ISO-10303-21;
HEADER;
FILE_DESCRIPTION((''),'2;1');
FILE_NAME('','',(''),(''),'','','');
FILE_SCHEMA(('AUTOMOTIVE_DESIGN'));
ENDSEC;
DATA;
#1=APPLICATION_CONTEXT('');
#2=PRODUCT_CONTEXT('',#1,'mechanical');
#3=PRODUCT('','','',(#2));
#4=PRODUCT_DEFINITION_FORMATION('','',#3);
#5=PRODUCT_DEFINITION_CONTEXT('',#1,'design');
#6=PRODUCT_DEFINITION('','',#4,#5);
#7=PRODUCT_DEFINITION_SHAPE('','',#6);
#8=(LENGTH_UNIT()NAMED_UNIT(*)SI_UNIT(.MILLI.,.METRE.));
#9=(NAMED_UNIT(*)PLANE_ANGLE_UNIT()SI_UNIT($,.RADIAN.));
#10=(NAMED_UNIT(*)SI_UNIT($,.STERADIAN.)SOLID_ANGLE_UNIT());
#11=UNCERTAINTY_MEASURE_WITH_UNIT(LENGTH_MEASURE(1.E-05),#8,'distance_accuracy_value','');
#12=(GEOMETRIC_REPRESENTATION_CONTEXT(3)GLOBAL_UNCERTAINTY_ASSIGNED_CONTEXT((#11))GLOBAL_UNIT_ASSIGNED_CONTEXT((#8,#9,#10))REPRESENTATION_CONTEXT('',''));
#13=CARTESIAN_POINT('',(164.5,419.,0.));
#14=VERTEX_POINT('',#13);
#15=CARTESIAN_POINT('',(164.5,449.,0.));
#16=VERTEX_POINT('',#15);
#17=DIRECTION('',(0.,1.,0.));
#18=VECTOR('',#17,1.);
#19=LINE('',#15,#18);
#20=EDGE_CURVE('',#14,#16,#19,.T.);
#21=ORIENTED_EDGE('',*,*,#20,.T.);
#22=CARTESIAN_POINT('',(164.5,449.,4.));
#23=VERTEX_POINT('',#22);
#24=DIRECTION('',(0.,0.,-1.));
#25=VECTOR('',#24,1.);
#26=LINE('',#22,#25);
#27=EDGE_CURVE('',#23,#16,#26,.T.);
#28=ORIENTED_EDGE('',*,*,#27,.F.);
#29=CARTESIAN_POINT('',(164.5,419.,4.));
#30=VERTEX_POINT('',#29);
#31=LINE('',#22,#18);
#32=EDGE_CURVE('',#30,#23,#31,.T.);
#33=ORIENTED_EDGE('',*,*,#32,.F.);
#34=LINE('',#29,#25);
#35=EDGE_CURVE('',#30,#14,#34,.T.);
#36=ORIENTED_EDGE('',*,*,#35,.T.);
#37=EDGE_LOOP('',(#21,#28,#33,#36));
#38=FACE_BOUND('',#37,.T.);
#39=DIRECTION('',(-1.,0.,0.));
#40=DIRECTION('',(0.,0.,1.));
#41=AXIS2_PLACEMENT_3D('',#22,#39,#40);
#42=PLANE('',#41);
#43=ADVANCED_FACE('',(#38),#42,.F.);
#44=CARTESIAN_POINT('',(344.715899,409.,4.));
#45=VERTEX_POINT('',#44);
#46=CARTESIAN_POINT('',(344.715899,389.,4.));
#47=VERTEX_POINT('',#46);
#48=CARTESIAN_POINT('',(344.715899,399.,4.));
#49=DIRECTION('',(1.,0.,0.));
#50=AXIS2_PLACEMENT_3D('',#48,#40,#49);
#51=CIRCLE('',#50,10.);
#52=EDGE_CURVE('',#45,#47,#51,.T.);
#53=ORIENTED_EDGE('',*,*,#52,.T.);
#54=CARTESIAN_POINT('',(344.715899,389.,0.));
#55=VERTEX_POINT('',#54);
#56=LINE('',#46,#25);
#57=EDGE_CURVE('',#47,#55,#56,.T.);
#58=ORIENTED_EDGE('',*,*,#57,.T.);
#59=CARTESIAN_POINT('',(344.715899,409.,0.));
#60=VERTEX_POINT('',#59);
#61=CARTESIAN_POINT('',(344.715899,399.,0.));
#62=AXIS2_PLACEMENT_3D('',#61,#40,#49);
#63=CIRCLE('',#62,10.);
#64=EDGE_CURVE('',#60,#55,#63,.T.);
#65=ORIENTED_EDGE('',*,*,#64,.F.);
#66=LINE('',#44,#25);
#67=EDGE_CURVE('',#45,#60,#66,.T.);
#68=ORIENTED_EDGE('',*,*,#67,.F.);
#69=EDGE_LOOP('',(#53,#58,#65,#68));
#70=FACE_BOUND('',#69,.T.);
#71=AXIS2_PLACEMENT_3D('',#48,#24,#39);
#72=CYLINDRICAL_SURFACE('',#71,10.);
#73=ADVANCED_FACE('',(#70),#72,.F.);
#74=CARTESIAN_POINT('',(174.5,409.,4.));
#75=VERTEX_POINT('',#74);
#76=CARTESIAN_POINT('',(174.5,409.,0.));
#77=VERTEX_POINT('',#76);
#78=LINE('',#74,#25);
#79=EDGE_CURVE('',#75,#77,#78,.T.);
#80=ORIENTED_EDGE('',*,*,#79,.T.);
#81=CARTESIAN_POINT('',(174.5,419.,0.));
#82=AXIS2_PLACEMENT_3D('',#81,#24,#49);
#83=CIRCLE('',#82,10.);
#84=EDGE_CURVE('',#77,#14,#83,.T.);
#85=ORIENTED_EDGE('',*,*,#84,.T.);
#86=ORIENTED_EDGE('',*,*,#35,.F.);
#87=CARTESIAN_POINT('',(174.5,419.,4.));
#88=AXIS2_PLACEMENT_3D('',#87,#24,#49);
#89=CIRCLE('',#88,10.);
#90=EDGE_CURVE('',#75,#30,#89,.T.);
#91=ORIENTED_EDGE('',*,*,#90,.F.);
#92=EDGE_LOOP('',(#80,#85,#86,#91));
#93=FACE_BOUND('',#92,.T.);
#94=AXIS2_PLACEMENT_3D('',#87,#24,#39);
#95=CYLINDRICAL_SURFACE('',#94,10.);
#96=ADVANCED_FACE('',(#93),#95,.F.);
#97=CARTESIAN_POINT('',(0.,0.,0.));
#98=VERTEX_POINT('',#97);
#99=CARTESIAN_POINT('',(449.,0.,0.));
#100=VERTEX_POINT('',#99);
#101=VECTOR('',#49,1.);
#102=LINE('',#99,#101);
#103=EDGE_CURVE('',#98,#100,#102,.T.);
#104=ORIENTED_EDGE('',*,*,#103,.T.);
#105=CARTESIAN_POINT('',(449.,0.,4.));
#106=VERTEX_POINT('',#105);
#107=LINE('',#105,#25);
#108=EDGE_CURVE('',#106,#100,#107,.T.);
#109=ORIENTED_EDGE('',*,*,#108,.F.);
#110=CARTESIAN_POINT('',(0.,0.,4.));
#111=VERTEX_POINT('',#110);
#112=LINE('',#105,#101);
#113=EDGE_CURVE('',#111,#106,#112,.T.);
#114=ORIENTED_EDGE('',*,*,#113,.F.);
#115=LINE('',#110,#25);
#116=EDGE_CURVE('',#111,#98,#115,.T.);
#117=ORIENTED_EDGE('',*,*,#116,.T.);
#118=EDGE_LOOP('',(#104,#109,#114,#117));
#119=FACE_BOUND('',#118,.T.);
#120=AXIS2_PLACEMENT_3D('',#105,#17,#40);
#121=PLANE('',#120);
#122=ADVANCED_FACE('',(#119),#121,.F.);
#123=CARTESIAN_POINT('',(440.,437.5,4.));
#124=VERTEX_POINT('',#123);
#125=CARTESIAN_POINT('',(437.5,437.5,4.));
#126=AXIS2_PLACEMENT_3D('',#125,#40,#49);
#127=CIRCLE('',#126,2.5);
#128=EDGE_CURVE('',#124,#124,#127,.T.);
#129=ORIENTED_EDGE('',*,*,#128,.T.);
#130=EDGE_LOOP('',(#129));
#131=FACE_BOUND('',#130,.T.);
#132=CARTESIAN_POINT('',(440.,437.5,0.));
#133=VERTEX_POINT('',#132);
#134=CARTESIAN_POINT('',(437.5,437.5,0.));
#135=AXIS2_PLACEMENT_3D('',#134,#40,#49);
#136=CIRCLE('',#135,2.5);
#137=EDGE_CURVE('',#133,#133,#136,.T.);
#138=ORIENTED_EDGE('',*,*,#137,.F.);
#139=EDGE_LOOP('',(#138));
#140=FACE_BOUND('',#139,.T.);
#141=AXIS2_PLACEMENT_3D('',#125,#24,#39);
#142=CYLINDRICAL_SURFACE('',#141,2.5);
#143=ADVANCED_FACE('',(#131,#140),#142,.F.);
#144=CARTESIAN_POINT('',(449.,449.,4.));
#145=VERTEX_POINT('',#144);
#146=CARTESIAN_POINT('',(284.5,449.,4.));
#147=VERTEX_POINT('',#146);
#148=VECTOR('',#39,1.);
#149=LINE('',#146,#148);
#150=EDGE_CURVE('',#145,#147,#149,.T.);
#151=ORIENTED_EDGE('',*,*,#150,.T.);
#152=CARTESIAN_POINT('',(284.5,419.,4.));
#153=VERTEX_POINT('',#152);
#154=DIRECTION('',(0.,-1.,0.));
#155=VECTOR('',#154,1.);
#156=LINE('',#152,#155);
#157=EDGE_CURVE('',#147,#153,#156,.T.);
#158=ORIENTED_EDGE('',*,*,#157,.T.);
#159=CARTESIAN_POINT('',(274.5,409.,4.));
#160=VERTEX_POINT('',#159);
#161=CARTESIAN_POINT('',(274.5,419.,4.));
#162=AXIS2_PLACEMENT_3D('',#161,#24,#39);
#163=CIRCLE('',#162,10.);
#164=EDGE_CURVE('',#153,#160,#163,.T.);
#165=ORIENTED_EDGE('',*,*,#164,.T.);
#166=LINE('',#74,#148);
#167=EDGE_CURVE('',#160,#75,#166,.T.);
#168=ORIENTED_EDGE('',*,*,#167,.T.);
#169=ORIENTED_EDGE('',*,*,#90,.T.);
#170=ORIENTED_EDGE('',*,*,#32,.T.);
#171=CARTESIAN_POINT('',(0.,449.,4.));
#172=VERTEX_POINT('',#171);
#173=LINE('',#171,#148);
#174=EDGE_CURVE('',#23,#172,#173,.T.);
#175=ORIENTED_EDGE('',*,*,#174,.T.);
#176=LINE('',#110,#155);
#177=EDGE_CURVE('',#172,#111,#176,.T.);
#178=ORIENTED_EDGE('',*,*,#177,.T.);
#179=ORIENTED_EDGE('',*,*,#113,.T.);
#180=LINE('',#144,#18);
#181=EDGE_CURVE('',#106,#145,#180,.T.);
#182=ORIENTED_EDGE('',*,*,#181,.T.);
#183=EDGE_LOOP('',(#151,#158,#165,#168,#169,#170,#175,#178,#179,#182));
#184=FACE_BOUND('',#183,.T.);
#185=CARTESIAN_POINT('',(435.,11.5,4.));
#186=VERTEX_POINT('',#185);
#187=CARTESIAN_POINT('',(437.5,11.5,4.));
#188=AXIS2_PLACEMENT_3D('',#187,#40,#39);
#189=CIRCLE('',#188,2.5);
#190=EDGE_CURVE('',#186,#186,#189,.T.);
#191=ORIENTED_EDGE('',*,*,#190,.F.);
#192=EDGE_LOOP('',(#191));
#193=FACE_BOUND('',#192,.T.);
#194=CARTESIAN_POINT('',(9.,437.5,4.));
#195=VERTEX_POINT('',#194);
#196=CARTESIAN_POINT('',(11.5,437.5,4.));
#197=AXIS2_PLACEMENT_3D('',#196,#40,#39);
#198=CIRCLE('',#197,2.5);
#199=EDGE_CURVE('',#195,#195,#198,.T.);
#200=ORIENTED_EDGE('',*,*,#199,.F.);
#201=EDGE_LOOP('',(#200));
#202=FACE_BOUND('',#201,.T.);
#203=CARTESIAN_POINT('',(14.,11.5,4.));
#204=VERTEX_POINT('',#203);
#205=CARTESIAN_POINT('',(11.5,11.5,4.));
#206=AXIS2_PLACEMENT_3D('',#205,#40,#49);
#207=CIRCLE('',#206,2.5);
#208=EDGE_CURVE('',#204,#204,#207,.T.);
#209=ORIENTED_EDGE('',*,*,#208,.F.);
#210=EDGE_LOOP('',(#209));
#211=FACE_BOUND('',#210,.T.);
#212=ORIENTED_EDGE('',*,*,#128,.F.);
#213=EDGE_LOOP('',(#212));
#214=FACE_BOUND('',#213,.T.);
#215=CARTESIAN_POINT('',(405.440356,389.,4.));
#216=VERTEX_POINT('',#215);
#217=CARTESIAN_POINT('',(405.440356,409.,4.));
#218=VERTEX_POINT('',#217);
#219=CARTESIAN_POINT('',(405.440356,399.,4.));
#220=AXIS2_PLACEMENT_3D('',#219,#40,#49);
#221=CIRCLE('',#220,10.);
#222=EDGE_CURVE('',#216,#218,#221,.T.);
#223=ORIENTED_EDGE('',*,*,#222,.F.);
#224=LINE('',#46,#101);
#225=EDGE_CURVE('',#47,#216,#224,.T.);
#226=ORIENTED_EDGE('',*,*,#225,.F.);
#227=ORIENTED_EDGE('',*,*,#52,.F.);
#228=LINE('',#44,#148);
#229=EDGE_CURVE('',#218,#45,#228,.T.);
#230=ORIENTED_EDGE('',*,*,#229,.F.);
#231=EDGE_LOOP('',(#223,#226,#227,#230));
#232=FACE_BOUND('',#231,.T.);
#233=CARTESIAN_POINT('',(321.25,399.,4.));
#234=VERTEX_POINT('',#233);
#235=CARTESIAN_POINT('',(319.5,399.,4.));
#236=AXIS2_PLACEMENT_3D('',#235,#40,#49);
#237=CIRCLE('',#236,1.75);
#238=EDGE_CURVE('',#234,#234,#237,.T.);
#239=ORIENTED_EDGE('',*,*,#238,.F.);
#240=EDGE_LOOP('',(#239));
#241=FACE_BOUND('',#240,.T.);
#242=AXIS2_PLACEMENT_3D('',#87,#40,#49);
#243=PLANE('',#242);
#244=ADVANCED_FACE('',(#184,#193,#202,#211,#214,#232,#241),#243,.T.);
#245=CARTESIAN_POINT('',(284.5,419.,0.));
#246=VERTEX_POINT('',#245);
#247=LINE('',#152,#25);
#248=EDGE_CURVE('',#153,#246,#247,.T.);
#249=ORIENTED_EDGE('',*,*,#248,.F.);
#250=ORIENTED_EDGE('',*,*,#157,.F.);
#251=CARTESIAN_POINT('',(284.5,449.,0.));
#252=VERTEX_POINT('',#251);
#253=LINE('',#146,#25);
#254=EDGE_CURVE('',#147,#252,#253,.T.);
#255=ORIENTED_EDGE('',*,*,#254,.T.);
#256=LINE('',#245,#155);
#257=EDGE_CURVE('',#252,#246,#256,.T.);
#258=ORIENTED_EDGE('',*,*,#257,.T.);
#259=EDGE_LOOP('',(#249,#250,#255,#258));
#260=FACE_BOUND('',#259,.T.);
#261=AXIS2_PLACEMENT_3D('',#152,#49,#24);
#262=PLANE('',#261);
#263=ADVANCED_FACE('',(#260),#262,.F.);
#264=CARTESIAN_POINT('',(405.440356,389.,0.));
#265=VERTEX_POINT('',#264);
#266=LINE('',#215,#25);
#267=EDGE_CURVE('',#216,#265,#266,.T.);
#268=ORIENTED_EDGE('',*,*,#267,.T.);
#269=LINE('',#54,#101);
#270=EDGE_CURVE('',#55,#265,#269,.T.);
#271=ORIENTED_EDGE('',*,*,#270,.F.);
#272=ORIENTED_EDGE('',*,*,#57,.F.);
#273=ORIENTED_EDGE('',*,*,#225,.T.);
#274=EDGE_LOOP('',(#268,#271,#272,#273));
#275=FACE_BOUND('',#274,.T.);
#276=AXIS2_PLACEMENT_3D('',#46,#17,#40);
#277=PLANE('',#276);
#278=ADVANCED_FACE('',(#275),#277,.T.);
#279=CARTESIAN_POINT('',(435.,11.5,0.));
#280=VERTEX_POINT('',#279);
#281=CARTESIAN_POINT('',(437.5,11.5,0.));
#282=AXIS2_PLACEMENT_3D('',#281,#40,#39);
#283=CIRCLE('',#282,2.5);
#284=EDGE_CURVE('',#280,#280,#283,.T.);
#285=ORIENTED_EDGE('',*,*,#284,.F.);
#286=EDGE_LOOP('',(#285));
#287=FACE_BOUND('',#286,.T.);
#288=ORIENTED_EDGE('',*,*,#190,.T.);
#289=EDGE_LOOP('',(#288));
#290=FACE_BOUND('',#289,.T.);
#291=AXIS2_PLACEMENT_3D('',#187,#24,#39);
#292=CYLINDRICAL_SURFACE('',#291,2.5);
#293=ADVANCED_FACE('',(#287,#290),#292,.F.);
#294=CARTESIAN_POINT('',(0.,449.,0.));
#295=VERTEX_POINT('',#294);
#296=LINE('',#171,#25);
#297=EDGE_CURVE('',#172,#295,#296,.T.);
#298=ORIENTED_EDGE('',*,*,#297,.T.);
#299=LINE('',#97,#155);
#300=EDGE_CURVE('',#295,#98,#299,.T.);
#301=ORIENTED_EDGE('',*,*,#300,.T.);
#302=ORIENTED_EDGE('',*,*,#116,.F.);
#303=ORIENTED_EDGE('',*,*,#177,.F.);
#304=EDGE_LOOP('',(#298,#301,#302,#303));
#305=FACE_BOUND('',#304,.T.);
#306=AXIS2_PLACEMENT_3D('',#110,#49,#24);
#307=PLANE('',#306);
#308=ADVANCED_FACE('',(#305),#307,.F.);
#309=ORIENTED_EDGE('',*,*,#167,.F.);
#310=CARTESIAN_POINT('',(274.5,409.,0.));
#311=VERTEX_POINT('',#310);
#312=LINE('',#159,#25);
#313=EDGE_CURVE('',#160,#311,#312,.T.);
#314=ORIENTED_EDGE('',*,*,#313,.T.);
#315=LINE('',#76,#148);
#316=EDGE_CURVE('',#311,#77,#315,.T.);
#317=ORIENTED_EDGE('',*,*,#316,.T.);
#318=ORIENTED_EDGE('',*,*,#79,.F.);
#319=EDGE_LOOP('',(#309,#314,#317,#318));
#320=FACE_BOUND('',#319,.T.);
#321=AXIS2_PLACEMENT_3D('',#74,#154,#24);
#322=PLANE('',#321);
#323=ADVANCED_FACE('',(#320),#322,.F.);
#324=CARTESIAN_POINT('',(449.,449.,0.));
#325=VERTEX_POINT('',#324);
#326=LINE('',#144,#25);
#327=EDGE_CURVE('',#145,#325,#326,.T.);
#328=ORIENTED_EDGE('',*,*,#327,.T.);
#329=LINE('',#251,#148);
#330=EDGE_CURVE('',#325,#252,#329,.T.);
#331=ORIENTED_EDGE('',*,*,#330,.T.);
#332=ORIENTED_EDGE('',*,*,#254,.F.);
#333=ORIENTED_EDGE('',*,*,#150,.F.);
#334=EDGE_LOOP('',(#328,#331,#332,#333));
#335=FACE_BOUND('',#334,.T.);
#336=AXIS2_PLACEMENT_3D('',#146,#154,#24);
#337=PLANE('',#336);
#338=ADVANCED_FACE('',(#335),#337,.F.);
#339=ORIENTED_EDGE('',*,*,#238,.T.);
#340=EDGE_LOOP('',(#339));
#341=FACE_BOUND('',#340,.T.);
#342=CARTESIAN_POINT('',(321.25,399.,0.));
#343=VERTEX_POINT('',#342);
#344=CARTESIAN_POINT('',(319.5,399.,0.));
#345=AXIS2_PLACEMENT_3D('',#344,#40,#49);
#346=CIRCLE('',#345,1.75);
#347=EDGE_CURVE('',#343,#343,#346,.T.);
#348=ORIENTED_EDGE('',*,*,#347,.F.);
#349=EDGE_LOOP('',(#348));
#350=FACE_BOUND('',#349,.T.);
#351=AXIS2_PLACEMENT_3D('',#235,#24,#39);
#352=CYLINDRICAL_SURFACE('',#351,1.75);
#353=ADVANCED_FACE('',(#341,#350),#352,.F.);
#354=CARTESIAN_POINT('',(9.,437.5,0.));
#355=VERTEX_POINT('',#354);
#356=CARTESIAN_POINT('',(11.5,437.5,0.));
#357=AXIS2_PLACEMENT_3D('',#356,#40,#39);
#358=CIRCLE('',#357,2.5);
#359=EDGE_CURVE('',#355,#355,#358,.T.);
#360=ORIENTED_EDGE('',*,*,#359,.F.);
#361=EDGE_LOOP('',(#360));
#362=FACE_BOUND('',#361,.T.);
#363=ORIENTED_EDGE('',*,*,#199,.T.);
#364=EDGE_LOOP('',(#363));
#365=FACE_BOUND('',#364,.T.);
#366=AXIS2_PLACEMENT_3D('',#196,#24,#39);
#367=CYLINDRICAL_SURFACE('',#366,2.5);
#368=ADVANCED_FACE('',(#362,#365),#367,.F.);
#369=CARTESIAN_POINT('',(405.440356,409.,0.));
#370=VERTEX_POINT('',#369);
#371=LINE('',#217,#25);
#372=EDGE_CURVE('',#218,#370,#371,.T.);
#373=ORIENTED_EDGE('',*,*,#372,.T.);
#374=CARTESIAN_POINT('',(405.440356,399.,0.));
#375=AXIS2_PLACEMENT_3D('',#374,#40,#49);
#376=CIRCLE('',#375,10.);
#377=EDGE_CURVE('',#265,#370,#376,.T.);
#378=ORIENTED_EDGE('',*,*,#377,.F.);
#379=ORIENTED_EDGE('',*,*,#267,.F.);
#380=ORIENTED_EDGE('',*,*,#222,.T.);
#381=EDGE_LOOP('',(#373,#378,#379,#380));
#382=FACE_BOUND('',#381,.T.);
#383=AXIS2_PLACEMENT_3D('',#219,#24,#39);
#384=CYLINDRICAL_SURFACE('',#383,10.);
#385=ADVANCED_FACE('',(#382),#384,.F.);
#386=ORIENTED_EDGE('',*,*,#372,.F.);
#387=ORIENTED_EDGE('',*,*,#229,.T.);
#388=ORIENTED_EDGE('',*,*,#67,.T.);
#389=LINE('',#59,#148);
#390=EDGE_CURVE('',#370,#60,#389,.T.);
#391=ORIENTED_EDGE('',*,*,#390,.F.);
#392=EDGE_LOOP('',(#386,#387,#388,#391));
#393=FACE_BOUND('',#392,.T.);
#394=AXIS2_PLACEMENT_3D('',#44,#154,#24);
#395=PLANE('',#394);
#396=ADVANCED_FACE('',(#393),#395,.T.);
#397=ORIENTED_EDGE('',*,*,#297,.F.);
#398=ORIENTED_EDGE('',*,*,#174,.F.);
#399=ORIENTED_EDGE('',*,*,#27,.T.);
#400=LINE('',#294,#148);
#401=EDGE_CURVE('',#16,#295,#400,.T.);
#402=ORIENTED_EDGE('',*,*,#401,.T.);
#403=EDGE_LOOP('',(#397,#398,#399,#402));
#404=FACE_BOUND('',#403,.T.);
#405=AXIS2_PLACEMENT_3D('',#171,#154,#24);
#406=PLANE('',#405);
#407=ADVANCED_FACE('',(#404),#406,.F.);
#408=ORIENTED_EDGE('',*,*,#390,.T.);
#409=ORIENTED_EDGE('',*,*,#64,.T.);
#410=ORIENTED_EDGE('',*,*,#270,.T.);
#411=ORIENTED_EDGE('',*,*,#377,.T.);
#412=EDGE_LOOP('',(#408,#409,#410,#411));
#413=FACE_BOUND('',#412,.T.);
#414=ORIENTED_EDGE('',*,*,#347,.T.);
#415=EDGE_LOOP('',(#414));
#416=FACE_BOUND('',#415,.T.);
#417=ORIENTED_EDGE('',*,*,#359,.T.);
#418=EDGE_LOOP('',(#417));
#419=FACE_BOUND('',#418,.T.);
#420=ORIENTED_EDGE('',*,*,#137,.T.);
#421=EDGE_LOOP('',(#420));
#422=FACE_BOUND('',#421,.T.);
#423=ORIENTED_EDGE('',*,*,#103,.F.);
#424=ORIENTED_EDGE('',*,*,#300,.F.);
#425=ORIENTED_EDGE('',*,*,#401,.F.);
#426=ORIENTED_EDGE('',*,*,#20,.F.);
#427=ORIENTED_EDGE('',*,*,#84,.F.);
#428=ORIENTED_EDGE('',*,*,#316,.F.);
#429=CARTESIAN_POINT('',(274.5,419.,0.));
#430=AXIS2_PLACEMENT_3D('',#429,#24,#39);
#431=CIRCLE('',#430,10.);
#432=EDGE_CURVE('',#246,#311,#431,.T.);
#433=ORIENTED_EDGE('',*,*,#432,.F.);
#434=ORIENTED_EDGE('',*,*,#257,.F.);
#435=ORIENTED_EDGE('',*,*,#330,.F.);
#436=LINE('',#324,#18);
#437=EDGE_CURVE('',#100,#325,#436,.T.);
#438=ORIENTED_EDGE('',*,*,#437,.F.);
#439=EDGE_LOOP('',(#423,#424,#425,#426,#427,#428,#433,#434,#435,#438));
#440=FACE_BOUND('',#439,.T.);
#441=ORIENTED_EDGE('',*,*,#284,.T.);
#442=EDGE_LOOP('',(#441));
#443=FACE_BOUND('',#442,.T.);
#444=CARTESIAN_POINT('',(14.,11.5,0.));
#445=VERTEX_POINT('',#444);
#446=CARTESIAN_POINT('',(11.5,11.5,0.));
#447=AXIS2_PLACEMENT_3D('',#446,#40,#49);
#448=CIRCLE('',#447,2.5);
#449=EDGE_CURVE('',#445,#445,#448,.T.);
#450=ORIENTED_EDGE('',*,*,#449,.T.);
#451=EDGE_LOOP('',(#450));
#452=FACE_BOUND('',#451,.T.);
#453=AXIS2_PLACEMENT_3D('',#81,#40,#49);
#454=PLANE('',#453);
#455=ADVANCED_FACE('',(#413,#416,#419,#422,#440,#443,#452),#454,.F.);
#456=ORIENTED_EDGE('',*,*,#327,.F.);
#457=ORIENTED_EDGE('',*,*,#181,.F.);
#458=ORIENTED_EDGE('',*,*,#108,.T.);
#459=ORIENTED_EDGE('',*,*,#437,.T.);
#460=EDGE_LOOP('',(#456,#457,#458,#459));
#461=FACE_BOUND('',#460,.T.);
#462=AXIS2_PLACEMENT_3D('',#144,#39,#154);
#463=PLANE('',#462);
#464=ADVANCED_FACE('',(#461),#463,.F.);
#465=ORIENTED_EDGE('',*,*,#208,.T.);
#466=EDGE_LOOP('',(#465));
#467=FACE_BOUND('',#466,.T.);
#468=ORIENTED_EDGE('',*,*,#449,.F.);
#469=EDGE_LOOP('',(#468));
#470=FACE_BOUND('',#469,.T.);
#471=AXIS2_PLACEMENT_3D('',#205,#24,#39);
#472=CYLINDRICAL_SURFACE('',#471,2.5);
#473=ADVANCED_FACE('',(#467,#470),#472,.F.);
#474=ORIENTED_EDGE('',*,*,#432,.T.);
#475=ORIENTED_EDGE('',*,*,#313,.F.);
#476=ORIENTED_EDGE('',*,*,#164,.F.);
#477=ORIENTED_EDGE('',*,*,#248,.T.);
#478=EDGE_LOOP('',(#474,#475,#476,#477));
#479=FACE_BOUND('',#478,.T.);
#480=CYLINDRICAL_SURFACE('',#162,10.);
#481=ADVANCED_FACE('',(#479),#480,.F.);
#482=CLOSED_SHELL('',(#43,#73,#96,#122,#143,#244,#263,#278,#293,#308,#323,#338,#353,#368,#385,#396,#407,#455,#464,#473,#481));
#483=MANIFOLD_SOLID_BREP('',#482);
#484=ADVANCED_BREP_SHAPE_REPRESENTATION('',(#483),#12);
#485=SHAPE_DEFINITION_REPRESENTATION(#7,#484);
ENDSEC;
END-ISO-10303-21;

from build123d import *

# Parameters (mm, degrees)
SCHIZZO1_R                   = 2.5
SCHIZZO1_R_2                 = 1.75
ESTRUSIONE_ESTRUSIONE1_DEPTH = 4


with BuildPart() as part:
    # Schizzo1 → Estrusione-Estrusione1 (new body)
    with BuildSketch(Plane.XY):
        with BuildLine():
            Line((0, 0), (0, 449))
            Line((0, 449), (164.5, 449))
            Line((164.5, 449), (164.5, 419))
            ThreePointArc((164.5, 419), (167.428932188, 411.928932188), (174.5, 409))
            Line((174.5, 409), (274.5, 409))
            ThreePointArc((274.5, 409), (281.571067812, 411.928932188), (284.5, 419))
            Line((284.5, 419), (284.5, 449))
            Line((284.5, 449), (449, 449))
            Line((449, 449), (449, 0))
            Line((449, 0), (0, 0))
        make_face()
        with Locations((11.5, 11.5)):
            Circle(SCHIZZO1_R, mode=Mode.SUBTRACT)
        with Locations((437.5, 11.5)):
            Circle(SCHIZZO1_R, mode=Mode.SUBTRACT)
        with Locations((437.5, 437.5)):
            Circle(SCHIZZO1_R, mode=Mode.SUBTRACT)
        with Locations((11.5, 437.5)):
            Circle(SCHIZZO1_R, mode=Mode.SUBTRACT)
        with Locations((319.5, 399)):
            Circle(SCHIZZO1_R_2, mode=Mode.SUBTRACT)
        with BuildLine():
            Line((344.715899345, 409), (405.440355678, 409))
            ThreePointArc((405.440355678, 409), (415.440355678, 399), (405.440355678, 389))
            Line((405.440355678, 389), (344.715899345, 389))
            ThreePointArc((344.715899345, 389), (334.715899345, 399), (344.715899345, 409))
        make_face(mode=Mode.SUBTRACT)
    extrude(amount=ESTRUSIONE_ESTRUSIONE1_DEPTH)


solid = part.part
